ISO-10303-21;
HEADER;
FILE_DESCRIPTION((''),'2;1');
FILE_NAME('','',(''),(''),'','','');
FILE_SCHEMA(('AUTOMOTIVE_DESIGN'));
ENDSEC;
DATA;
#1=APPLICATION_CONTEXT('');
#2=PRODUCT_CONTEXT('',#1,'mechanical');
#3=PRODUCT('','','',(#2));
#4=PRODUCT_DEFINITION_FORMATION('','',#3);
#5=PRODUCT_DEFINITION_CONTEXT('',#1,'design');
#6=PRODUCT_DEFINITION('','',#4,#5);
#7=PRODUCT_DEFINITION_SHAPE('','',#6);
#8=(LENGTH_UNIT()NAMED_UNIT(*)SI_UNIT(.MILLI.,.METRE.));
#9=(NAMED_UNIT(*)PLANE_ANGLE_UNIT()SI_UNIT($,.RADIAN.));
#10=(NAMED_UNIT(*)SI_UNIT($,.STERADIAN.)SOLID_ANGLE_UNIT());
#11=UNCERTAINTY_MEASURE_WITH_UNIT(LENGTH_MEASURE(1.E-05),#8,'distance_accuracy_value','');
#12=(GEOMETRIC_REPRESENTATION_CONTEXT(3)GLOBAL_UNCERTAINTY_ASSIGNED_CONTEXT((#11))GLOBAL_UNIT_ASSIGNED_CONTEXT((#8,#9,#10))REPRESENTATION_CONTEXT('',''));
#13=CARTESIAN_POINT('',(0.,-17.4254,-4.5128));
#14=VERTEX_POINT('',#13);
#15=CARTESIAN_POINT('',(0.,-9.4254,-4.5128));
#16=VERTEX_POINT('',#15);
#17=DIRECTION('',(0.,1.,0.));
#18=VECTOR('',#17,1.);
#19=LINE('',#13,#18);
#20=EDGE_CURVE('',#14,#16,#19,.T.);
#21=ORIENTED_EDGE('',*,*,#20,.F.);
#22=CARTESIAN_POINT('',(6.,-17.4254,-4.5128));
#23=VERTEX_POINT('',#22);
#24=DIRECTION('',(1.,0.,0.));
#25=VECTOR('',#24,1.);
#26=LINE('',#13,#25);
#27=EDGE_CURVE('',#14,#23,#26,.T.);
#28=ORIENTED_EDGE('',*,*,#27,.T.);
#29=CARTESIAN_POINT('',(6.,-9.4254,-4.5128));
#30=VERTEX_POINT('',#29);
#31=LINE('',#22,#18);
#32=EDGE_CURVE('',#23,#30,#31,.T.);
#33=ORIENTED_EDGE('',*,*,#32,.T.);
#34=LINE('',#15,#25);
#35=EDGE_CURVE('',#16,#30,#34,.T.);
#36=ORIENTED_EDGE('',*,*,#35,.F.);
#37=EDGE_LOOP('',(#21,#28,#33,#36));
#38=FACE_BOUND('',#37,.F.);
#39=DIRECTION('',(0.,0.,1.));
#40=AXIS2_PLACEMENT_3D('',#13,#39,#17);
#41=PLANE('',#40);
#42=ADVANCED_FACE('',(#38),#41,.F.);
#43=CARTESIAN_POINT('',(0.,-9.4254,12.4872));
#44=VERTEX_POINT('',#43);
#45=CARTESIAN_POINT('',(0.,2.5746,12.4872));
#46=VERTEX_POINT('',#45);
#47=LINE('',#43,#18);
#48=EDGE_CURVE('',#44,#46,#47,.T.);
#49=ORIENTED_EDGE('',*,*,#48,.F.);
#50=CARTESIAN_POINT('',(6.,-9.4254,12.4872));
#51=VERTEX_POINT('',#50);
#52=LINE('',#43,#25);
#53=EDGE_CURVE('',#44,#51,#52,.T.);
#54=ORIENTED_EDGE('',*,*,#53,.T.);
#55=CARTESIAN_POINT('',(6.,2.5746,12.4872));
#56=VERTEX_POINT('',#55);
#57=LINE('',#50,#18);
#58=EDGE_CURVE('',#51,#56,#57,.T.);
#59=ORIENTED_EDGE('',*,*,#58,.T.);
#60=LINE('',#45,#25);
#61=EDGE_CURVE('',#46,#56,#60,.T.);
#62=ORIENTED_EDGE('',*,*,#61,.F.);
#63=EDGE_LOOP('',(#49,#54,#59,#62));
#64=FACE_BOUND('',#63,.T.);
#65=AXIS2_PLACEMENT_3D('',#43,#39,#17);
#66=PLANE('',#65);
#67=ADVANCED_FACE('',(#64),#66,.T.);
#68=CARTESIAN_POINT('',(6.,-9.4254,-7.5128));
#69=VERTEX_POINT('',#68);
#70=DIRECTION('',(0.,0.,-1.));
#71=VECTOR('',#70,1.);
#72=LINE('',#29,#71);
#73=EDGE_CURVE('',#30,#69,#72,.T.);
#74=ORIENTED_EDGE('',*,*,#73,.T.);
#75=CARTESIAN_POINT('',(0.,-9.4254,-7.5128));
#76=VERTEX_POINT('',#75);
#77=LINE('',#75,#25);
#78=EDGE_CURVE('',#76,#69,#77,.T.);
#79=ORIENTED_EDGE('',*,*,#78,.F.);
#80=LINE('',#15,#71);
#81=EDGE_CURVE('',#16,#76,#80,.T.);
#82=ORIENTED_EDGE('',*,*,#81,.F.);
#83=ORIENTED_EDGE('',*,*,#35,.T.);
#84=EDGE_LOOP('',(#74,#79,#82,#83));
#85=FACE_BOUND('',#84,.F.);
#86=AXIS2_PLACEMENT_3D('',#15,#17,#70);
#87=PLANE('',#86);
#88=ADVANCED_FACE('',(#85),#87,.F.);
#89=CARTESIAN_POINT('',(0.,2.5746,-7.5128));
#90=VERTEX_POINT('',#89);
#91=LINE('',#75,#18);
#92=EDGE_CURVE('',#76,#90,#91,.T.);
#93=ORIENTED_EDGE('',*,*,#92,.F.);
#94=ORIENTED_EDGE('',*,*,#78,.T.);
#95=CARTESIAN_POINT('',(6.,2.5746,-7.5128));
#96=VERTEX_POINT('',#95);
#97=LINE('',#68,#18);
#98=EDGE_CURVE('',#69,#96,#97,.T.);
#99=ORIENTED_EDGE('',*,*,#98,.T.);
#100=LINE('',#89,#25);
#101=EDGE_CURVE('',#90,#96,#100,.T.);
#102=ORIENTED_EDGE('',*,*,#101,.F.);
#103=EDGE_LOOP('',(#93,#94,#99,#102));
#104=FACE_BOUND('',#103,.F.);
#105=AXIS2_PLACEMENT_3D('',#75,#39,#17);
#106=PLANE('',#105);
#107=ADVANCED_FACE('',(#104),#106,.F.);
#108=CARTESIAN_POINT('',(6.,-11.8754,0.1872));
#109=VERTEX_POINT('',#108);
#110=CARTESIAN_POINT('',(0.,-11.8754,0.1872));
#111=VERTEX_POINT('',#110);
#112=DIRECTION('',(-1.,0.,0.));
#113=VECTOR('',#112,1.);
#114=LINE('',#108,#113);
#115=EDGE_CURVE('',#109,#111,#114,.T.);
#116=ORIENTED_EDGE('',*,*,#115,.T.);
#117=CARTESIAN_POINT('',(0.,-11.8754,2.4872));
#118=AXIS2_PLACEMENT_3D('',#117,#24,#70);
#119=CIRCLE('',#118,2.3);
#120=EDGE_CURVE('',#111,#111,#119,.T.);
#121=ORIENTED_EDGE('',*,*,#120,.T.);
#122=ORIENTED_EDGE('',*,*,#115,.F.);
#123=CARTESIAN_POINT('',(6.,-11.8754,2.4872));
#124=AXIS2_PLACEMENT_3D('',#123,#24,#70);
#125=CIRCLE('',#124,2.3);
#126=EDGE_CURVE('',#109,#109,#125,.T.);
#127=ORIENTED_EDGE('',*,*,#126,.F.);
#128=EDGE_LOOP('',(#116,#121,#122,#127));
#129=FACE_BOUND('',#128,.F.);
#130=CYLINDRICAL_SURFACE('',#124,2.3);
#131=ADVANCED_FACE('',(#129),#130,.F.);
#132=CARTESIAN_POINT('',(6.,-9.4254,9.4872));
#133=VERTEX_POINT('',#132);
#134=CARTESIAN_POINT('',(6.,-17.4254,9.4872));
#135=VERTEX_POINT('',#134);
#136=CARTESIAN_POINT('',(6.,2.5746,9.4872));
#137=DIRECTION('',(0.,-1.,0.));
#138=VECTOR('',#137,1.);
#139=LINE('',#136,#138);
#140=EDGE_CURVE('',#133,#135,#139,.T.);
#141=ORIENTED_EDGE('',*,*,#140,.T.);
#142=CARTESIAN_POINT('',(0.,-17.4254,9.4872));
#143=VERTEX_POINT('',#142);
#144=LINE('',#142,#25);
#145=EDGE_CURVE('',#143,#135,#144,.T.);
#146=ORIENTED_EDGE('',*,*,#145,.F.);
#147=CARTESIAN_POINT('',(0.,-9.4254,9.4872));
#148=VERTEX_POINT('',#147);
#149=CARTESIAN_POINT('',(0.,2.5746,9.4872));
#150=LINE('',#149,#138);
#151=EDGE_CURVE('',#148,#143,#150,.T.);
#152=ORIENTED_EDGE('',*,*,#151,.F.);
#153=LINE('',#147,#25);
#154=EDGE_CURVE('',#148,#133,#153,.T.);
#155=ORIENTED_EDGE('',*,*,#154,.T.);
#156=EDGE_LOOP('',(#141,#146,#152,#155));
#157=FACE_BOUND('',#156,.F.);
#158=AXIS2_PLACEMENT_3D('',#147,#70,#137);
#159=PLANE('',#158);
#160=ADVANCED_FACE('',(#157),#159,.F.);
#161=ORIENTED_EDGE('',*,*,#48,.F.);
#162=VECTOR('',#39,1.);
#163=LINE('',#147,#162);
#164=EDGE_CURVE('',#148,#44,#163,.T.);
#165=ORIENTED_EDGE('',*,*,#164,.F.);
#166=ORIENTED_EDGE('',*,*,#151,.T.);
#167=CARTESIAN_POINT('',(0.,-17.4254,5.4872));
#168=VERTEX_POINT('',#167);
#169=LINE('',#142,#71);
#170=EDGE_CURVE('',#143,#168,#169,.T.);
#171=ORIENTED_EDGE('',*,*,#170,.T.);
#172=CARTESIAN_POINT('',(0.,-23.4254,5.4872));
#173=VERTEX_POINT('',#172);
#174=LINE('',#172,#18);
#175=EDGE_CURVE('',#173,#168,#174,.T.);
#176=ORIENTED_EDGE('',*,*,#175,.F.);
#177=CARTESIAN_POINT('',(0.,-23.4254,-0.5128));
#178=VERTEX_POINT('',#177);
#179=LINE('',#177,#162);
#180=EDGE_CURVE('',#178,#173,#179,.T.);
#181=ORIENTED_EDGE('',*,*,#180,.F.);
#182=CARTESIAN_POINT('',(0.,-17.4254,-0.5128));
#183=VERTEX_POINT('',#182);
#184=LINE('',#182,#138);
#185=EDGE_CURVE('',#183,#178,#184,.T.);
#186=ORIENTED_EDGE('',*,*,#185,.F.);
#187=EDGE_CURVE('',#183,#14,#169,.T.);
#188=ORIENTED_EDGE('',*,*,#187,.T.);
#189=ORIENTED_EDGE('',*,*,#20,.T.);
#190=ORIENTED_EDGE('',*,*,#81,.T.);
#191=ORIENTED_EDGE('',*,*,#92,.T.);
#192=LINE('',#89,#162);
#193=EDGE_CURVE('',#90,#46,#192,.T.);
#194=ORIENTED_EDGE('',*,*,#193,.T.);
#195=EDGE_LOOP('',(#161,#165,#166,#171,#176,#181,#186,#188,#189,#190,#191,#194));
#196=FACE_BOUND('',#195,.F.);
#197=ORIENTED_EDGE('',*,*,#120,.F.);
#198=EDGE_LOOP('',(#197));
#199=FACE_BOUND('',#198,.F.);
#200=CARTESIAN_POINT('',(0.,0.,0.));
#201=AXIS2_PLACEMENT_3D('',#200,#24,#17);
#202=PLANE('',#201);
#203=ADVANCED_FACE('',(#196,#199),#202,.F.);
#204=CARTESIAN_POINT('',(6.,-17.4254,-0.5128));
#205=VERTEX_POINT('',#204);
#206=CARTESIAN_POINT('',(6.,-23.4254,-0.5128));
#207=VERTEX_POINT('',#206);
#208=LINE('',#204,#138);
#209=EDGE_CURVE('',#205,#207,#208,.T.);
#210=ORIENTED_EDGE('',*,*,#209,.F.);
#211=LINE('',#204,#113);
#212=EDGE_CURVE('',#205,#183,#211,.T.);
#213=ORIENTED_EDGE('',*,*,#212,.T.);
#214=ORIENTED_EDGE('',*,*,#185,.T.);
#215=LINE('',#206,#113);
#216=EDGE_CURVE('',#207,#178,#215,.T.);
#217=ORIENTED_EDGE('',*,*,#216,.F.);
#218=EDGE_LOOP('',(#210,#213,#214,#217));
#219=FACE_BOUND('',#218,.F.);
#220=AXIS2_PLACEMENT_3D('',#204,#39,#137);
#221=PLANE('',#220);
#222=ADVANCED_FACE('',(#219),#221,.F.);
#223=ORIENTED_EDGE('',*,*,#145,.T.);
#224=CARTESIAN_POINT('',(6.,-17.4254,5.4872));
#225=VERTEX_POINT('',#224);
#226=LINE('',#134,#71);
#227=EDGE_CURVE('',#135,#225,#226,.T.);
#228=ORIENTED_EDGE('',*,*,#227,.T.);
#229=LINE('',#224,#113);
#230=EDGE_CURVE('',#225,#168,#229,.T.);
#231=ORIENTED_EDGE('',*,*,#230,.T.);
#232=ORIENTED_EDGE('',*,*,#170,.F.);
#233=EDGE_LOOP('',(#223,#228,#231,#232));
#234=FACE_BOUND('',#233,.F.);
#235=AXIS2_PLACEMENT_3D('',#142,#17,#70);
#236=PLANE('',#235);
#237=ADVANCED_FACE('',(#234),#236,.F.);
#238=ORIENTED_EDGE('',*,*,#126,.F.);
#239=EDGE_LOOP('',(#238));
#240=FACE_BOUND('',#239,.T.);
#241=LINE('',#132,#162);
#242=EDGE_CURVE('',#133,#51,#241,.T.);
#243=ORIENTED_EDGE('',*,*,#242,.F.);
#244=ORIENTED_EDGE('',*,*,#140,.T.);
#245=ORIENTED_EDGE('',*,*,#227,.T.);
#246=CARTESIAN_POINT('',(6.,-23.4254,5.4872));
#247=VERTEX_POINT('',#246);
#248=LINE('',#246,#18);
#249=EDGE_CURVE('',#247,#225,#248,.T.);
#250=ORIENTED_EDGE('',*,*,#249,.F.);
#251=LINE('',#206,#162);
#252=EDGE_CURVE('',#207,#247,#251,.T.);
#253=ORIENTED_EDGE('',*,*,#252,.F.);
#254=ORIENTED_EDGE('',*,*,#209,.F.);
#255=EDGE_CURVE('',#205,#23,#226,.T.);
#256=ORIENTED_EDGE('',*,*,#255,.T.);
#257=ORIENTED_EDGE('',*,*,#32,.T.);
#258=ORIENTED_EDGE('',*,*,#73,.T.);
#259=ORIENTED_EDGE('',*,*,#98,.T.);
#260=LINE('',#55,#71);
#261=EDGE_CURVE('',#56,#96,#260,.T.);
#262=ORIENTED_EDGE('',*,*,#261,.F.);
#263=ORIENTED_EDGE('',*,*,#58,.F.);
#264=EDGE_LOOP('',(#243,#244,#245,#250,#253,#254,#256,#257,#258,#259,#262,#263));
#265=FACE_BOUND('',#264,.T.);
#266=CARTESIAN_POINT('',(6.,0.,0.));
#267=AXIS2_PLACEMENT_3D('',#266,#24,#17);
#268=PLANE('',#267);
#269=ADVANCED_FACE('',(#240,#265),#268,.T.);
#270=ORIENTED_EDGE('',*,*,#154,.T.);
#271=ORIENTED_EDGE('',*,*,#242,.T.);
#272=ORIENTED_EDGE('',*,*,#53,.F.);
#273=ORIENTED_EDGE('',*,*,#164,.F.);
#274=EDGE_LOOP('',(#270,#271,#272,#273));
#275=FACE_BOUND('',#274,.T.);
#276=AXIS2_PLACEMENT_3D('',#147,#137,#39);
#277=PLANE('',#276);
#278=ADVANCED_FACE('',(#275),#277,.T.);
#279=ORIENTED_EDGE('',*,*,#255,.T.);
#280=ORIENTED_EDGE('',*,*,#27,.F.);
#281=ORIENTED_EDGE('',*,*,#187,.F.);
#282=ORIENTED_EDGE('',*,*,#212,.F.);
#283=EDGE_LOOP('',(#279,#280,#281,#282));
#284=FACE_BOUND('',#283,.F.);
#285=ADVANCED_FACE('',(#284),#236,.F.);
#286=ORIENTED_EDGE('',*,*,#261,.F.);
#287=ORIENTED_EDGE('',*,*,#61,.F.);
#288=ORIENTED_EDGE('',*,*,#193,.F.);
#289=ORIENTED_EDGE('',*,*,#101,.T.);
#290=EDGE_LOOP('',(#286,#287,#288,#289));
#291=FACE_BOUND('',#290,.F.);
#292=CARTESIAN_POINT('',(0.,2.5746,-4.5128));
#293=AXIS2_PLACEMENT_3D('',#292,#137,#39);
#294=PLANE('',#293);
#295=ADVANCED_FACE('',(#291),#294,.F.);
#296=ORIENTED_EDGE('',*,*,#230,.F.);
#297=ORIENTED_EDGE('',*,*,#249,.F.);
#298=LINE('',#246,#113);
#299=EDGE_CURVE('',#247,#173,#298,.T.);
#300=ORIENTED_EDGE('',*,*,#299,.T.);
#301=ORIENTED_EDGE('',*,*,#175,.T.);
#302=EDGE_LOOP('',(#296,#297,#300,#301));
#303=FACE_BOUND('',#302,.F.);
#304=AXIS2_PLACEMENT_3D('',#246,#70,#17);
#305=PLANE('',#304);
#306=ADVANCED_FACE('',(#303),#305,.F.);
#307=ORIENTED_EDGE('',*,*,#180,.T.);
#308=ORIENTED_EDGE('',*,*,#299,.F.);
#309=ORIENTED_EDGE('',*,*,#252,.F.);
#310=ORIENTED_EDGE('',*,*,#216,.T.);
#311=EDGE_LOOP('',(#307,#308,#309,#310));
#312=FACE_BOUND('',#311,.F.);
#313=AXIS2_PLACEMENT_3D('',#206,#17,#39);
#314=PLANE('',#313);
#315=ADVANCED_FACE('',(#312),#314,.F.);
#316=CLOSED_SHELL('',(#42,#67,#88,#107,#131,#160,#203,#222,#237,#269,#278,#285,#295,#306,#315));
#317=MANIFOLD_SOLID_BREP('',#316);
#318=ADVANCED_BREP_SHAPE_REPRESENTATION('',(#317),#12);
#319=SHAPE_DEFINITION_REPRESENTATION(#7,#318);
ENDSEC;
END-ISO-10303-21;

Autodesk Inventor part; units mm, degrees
ref_plane "YZ Plane" through (0, 0, 0) normal (1, 0, 0) x (0, 1, 0)
ref_plane "XZ Plane" through (0, 0, 0) normal (0, 1, 0) x (-1, 0, 0)
ref_plane "XY Plane" through (0, 0, 0) normal (0, 0, 1) x (1, 0, 0)
sketch "Sketch1" plane through (0, 0, 0) normal (1, 0, 0) x (0, 1, 0)
  line L0 (2.5746, 9.4872) -> (-17.4254, 9.4872)
  line L1 (-17.4254, 9.4872) -> (-17.4254, -4.5128)
  line L2 (-17.4254, -4.5128) -> (2.5746, -4.5128)
  line L3 (2.5746, -4.5128) -> (2.5746, 9.4872)
  line L4 (2.5746, -4.5128) -> (-9.4254, -4.5128)
  line L5 (-9.4254, -4.5128) -> (-9.4254, -7.5128)
  line L6 (-9.4254, -7.5128) -> (2.5746, -7.5128)
  line L7 (2.5746, -7.5128) -> (2.5746, -4.5128)
  line L8 (2.5746, 9.4872) -> (-9.4254, 9.4872)
  line L9 (-9.4254, 9.4872) -> (-9.4254, 12.4872)
  line L10 (-9.4254, 12.4872) -> (2.5746, 12.4872)
  line L11 (2.5746, 12.4872) -> (2.5746, 9.4872)
  point P0 (0, 0)
  dimension "d0" = 20
  dimension "d1" = 14
  dimension "d2" = 12
  dimension "d3" = 3
  dimension "d4" = 12
  dimension "d5" = 3
extrude "Extrusion1" add sketch "Sketch1" along normal blind 6
sketch "Sketch2" plane through (6, 0, 0) normal (1, 0, 0) x (0, 0, -1)
  circle A0 centre (-2.4872, -11.8754) radius 2.3
  line L0 (-9.4872, -17.4254) -> (4.5128, -17.4254) projected
  line L1 (-9.4872, -9.4254) -> (-9.4872, -17.4254) projected
  point P0 (0, 0)
  dimension "d8" = 4.6
  dimension "d9" = 5.55
  dimension "d10" = 7
extrude "Extrusion2" cut sketch "Sketch2" against normal blind 6
sketch "Sketch3" plane through (6, 0, 0) normal (1, 0, 0) x (0, 0, -1)
  line L0 (-5.4872, -17.4254) -> (0.5128, -17.4254)
  line L1 (0.5128, -17.4254) -> (0.5128, -23.4254)
  line L2 (0.5128, -23.4254) -> (-5.4872, -23.4254)
  line L3 (-5.4872, -23.4254) -> (-5.4872, -17.4254)
  line L4 (-9.4872, -9.4254) -> (-9.4872, -17.4254) construction
  line L5 (-9.4872, -17.4254) -> (-5.4872, -17.4254) construction
  line L6 (0.5128, -17.4254) -> (4.5128, -17.4254) construction
  line L7 (-9.4872, -17.4254) -> (4.5128, -17.4254) construction
  point P0 (0, 0)
  dimension "d13" = 6
  dimension "d14" = 6
extrude "Extrusion3" add sketch "Sketch3" against normal blind 6
properties part number "apoio do meioesse"
